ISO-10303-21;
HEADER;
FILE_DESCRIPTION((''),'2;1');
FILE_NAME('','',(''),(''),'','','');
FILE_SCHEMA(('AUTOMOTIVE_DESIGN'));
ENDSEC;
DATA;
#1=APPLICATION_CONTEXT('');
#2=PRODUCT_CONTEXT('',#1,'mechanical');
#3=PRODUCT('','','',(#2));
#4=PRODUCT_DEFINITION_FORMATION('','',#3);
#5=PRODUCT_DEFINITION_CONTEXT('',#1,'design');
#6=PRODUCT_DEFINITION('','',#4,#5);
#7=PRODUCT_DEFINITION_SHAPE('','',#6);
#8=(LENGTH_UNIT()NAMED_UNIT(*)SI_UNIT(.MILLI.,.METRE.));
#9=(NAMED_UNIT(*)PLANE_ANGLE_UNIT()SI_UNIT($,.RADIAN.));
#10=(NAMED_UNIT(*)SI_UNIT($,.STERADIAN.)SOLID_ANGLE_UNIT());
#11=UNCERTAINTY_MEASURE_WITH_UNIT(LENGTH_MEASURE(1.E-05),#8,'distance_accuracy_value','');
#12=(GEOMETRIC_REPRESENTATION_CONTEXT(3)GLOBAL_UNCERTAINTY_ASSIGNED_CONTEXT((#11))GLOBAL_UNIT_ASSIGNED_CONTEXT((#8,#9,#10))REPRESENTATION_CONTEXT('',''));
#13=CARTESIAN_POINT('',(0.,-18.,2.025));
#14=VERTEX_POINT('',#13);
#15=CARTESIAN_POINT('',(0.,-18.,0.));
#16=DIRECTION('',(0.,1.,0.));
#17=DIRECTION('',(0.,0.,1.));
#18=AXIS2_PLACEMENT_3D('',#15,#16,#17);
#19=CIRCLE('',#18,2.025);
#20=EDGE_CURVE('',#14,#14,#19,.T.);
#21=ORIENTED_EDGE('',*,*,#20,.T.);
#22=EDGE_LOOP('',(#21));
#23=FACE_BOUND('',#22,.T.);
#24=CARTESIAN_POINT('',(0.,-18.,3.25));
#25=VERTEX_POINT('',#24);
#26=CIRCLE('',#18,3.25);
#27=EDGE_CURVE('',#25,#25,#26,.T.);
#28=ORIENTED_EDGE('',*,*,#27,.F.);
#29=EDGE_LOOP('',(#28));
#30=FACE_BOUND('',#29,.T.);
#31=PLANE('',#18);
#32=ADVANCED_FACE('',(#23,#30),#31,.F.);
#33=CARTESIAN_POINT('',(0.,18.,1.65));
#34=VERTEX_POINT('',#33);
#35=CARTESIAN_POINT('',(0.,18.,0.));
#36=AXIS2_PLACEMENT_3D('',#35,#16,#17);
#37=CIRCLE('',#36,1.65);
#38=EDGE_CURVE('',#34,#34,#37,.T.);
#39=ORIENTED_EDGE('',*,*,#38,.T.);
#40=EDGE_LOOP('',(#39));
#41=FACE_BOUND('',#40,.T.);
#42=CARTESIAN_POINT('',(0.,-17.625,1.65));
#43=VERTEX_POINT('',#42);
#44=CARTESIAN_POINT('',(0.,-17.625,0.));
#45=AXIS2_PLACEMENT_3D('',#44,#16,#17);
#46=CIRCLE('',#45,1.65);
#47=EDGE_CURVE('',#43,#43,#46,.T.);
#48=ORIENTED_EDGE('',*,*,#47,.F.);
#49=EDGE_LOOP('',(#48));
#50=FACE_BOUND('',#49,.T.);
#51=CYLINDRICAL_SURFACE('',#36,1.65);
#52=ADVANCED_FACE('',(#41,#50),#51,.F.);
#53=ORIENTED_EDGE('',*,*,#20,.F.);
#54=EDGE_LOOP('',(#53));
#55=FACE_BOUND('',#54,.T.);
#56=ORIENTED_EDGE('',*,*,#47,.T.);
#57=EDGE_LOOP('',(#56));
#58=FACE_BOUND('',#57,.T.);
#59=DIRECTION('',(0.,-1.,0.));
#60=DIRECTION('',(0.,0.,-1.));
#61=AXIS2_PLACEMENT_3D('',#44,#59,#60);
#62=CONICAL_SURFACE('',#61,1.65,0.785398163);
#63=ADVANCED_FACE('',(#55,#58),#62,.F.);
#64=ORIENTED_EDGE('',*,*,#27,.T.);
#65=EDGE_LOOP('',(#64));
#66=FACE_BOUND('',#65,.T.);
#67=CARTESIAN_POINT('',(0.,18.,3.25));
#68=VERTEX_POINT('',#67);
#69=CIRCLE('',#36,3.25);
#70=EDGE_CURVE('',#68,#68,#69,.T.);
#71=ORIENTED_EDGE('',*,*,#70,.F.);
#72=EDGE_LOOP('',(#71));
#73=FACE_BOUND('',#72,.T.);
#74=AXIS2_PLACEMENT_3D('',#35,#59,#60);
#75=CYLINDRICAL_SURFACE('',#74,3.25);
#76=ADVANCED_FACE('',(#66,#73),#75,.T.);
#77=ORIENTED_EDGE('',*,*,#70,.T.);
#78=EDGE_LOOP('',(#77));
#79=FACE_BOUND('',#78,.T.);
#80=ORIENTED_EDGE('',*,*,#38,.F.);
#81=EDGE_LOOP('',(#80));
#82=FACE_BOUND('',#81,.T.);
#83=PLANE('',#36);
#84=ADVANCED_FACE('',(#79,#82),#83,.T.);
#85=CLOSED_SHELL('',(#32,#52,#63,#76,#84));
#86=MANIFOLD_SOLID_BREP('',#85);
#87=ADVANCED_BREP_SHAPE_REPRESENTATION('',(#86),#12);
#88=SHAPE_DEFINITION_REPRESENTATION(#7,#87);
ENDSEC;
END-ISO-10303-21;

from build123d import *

# Parameters (mm, degrees)
ESBO_O2_R                = 3.25
RESSALTO_EXTRUS_O1_DEPTH = 18


with BuildPart() as part:
    # Esboço2 → Ressalto-extrusão1 (new body, symmetric)
    with BuildSketch(Plane(origin=(0, 0, 0), x_dir=(1, 0, 0), z_dir=(0, 1, 0))):
        Circle(ESBO_O2_R)
    extrude(amount=RESSALTO_EXTRUS_O1_DEPTH, both=True)

    # Esboço4 → Furo roscado de M41 (revolve, cut)
    with BuildSketch(Plane(origin=(0, 18, 0), x_dir=(0, 0, 1), z_dir=(1, 0, 0))):
        Polygon((0, 0), (0, 36), (2.025, 36), (1.65, 35.625), (1.65, 0), align=None)
    revolve(axis=Axis((0, 24.35, 0), (0, -1, 0)), mode=Mode.SUBTRACT)


solid = part.part
